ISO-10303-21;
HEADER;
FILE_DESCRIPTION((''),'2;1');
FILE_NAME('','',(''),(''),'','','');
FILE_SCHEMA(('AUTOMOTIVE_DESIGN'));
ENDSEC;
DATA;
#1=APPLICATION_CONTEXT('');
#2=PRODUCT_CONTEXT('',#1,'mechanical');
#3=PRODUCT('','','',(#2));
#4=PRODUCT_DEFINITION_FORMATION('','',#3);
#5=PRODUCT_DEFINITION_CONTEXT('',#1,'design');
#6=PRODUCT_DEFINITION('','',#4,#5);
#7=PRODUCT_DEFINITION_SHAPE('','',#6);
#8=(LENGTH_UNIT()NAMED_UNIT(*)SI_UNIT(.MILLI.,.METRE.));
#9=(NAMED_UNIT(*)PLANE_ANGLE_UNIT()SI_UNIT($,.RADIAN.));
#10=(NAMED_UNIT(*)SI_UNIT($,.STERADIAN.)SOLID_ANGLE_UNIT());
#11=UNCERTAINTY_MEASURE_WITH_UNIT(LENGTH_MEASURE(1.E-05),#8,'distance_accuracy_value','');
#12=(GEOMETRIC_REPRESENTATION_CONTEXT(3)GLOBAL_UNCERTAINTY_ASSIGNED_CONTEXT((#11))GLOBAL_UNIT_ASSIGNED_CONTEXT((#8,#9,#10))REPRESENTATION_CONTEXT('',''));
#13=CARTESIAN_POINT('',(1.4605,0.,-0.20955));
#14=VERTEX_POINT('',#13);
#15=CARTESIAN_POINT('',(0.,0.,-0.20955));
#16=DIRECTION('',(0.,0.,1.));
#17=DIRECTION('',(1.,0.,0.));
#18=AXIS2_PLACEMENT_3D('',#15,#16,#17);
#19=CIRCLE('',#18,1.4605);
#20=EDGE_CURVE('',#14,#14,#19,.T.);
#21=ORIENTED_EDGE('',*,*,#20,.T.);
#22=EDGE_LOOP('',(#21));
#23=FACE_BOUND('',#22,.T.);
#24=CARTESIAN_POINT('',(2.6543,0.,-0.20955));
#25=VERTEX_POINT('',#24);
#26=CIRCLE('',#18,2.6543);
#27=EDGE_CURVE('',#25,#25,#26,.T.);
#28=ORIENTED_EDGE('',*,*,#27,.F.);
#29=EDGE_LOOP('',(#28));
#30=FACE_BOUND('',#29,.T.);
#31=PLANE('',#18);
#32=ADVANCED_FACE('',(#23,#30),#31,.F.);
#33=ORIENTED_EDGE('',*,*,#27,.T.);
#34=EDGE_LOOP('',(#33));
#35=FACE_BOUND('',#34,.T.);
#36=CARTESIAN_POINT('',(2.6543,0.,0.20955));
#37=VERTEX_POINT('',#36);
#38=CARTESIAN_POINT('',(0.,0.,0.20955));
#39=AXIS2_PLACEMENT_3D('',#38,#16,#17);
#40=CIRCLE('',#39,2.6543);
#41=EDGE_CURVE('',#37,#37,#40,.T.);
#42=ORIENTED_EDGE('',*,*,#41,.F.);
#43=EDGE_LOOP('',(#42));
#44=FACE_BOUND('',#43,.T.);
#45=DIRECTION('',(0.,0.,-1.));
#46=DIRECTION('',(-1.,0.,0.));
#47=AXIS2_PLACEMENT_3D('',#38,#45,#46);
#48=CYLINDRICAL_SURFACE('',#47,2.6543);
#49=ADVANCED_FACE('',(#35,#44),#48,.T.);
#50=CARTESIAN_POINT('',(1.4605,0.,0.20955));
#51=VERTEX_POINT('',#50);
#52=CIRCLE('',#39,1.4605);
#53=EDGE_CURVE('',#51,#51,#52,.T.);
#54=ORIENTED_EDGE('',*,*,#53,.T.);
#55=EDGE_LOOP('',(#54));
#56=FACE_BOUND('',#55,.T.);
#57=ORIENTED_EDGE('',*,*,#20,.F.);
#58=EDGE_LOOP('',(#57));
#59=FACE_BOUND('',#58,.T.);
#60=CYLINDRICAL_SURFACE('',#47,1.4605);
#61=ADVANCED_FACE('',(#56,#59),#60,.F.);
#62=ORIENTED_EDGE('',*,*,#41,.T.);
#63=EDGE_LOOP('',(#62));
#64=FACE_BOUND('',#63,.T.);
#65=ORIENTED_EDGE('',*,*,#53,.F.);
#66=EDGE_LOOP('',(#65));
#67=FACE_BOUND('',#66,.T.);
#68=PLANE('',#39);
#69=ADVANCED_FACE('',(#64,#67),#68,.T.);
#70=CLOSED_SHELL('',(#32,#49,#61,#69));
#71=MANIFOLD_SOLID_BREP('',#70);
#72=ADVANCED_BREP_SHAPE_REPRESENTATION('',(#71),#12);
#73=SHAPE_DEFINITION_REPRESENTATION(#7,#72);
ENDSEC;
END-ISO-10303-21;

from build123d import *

# Parameters (mm, degrees)
SKETCH3_R           = 2.6543
SKETCH3_R_2         = 1.4605
BOSS_EXTRUDE1_DEPTH = 0.20955


with BuildPart() as part:
    # Sketch3 → Boss-Extrude1 (new, symmetric)
    with BuildSketch(Plane.XY):
        Circle(SKETCH3_R)
        Circle(SKETCH3_R_2, mode=Mode.SUBTRACT)
    extrude(amount=BOSS_EXTRUDE1_DEPTH, both=True)


solid = part.part
